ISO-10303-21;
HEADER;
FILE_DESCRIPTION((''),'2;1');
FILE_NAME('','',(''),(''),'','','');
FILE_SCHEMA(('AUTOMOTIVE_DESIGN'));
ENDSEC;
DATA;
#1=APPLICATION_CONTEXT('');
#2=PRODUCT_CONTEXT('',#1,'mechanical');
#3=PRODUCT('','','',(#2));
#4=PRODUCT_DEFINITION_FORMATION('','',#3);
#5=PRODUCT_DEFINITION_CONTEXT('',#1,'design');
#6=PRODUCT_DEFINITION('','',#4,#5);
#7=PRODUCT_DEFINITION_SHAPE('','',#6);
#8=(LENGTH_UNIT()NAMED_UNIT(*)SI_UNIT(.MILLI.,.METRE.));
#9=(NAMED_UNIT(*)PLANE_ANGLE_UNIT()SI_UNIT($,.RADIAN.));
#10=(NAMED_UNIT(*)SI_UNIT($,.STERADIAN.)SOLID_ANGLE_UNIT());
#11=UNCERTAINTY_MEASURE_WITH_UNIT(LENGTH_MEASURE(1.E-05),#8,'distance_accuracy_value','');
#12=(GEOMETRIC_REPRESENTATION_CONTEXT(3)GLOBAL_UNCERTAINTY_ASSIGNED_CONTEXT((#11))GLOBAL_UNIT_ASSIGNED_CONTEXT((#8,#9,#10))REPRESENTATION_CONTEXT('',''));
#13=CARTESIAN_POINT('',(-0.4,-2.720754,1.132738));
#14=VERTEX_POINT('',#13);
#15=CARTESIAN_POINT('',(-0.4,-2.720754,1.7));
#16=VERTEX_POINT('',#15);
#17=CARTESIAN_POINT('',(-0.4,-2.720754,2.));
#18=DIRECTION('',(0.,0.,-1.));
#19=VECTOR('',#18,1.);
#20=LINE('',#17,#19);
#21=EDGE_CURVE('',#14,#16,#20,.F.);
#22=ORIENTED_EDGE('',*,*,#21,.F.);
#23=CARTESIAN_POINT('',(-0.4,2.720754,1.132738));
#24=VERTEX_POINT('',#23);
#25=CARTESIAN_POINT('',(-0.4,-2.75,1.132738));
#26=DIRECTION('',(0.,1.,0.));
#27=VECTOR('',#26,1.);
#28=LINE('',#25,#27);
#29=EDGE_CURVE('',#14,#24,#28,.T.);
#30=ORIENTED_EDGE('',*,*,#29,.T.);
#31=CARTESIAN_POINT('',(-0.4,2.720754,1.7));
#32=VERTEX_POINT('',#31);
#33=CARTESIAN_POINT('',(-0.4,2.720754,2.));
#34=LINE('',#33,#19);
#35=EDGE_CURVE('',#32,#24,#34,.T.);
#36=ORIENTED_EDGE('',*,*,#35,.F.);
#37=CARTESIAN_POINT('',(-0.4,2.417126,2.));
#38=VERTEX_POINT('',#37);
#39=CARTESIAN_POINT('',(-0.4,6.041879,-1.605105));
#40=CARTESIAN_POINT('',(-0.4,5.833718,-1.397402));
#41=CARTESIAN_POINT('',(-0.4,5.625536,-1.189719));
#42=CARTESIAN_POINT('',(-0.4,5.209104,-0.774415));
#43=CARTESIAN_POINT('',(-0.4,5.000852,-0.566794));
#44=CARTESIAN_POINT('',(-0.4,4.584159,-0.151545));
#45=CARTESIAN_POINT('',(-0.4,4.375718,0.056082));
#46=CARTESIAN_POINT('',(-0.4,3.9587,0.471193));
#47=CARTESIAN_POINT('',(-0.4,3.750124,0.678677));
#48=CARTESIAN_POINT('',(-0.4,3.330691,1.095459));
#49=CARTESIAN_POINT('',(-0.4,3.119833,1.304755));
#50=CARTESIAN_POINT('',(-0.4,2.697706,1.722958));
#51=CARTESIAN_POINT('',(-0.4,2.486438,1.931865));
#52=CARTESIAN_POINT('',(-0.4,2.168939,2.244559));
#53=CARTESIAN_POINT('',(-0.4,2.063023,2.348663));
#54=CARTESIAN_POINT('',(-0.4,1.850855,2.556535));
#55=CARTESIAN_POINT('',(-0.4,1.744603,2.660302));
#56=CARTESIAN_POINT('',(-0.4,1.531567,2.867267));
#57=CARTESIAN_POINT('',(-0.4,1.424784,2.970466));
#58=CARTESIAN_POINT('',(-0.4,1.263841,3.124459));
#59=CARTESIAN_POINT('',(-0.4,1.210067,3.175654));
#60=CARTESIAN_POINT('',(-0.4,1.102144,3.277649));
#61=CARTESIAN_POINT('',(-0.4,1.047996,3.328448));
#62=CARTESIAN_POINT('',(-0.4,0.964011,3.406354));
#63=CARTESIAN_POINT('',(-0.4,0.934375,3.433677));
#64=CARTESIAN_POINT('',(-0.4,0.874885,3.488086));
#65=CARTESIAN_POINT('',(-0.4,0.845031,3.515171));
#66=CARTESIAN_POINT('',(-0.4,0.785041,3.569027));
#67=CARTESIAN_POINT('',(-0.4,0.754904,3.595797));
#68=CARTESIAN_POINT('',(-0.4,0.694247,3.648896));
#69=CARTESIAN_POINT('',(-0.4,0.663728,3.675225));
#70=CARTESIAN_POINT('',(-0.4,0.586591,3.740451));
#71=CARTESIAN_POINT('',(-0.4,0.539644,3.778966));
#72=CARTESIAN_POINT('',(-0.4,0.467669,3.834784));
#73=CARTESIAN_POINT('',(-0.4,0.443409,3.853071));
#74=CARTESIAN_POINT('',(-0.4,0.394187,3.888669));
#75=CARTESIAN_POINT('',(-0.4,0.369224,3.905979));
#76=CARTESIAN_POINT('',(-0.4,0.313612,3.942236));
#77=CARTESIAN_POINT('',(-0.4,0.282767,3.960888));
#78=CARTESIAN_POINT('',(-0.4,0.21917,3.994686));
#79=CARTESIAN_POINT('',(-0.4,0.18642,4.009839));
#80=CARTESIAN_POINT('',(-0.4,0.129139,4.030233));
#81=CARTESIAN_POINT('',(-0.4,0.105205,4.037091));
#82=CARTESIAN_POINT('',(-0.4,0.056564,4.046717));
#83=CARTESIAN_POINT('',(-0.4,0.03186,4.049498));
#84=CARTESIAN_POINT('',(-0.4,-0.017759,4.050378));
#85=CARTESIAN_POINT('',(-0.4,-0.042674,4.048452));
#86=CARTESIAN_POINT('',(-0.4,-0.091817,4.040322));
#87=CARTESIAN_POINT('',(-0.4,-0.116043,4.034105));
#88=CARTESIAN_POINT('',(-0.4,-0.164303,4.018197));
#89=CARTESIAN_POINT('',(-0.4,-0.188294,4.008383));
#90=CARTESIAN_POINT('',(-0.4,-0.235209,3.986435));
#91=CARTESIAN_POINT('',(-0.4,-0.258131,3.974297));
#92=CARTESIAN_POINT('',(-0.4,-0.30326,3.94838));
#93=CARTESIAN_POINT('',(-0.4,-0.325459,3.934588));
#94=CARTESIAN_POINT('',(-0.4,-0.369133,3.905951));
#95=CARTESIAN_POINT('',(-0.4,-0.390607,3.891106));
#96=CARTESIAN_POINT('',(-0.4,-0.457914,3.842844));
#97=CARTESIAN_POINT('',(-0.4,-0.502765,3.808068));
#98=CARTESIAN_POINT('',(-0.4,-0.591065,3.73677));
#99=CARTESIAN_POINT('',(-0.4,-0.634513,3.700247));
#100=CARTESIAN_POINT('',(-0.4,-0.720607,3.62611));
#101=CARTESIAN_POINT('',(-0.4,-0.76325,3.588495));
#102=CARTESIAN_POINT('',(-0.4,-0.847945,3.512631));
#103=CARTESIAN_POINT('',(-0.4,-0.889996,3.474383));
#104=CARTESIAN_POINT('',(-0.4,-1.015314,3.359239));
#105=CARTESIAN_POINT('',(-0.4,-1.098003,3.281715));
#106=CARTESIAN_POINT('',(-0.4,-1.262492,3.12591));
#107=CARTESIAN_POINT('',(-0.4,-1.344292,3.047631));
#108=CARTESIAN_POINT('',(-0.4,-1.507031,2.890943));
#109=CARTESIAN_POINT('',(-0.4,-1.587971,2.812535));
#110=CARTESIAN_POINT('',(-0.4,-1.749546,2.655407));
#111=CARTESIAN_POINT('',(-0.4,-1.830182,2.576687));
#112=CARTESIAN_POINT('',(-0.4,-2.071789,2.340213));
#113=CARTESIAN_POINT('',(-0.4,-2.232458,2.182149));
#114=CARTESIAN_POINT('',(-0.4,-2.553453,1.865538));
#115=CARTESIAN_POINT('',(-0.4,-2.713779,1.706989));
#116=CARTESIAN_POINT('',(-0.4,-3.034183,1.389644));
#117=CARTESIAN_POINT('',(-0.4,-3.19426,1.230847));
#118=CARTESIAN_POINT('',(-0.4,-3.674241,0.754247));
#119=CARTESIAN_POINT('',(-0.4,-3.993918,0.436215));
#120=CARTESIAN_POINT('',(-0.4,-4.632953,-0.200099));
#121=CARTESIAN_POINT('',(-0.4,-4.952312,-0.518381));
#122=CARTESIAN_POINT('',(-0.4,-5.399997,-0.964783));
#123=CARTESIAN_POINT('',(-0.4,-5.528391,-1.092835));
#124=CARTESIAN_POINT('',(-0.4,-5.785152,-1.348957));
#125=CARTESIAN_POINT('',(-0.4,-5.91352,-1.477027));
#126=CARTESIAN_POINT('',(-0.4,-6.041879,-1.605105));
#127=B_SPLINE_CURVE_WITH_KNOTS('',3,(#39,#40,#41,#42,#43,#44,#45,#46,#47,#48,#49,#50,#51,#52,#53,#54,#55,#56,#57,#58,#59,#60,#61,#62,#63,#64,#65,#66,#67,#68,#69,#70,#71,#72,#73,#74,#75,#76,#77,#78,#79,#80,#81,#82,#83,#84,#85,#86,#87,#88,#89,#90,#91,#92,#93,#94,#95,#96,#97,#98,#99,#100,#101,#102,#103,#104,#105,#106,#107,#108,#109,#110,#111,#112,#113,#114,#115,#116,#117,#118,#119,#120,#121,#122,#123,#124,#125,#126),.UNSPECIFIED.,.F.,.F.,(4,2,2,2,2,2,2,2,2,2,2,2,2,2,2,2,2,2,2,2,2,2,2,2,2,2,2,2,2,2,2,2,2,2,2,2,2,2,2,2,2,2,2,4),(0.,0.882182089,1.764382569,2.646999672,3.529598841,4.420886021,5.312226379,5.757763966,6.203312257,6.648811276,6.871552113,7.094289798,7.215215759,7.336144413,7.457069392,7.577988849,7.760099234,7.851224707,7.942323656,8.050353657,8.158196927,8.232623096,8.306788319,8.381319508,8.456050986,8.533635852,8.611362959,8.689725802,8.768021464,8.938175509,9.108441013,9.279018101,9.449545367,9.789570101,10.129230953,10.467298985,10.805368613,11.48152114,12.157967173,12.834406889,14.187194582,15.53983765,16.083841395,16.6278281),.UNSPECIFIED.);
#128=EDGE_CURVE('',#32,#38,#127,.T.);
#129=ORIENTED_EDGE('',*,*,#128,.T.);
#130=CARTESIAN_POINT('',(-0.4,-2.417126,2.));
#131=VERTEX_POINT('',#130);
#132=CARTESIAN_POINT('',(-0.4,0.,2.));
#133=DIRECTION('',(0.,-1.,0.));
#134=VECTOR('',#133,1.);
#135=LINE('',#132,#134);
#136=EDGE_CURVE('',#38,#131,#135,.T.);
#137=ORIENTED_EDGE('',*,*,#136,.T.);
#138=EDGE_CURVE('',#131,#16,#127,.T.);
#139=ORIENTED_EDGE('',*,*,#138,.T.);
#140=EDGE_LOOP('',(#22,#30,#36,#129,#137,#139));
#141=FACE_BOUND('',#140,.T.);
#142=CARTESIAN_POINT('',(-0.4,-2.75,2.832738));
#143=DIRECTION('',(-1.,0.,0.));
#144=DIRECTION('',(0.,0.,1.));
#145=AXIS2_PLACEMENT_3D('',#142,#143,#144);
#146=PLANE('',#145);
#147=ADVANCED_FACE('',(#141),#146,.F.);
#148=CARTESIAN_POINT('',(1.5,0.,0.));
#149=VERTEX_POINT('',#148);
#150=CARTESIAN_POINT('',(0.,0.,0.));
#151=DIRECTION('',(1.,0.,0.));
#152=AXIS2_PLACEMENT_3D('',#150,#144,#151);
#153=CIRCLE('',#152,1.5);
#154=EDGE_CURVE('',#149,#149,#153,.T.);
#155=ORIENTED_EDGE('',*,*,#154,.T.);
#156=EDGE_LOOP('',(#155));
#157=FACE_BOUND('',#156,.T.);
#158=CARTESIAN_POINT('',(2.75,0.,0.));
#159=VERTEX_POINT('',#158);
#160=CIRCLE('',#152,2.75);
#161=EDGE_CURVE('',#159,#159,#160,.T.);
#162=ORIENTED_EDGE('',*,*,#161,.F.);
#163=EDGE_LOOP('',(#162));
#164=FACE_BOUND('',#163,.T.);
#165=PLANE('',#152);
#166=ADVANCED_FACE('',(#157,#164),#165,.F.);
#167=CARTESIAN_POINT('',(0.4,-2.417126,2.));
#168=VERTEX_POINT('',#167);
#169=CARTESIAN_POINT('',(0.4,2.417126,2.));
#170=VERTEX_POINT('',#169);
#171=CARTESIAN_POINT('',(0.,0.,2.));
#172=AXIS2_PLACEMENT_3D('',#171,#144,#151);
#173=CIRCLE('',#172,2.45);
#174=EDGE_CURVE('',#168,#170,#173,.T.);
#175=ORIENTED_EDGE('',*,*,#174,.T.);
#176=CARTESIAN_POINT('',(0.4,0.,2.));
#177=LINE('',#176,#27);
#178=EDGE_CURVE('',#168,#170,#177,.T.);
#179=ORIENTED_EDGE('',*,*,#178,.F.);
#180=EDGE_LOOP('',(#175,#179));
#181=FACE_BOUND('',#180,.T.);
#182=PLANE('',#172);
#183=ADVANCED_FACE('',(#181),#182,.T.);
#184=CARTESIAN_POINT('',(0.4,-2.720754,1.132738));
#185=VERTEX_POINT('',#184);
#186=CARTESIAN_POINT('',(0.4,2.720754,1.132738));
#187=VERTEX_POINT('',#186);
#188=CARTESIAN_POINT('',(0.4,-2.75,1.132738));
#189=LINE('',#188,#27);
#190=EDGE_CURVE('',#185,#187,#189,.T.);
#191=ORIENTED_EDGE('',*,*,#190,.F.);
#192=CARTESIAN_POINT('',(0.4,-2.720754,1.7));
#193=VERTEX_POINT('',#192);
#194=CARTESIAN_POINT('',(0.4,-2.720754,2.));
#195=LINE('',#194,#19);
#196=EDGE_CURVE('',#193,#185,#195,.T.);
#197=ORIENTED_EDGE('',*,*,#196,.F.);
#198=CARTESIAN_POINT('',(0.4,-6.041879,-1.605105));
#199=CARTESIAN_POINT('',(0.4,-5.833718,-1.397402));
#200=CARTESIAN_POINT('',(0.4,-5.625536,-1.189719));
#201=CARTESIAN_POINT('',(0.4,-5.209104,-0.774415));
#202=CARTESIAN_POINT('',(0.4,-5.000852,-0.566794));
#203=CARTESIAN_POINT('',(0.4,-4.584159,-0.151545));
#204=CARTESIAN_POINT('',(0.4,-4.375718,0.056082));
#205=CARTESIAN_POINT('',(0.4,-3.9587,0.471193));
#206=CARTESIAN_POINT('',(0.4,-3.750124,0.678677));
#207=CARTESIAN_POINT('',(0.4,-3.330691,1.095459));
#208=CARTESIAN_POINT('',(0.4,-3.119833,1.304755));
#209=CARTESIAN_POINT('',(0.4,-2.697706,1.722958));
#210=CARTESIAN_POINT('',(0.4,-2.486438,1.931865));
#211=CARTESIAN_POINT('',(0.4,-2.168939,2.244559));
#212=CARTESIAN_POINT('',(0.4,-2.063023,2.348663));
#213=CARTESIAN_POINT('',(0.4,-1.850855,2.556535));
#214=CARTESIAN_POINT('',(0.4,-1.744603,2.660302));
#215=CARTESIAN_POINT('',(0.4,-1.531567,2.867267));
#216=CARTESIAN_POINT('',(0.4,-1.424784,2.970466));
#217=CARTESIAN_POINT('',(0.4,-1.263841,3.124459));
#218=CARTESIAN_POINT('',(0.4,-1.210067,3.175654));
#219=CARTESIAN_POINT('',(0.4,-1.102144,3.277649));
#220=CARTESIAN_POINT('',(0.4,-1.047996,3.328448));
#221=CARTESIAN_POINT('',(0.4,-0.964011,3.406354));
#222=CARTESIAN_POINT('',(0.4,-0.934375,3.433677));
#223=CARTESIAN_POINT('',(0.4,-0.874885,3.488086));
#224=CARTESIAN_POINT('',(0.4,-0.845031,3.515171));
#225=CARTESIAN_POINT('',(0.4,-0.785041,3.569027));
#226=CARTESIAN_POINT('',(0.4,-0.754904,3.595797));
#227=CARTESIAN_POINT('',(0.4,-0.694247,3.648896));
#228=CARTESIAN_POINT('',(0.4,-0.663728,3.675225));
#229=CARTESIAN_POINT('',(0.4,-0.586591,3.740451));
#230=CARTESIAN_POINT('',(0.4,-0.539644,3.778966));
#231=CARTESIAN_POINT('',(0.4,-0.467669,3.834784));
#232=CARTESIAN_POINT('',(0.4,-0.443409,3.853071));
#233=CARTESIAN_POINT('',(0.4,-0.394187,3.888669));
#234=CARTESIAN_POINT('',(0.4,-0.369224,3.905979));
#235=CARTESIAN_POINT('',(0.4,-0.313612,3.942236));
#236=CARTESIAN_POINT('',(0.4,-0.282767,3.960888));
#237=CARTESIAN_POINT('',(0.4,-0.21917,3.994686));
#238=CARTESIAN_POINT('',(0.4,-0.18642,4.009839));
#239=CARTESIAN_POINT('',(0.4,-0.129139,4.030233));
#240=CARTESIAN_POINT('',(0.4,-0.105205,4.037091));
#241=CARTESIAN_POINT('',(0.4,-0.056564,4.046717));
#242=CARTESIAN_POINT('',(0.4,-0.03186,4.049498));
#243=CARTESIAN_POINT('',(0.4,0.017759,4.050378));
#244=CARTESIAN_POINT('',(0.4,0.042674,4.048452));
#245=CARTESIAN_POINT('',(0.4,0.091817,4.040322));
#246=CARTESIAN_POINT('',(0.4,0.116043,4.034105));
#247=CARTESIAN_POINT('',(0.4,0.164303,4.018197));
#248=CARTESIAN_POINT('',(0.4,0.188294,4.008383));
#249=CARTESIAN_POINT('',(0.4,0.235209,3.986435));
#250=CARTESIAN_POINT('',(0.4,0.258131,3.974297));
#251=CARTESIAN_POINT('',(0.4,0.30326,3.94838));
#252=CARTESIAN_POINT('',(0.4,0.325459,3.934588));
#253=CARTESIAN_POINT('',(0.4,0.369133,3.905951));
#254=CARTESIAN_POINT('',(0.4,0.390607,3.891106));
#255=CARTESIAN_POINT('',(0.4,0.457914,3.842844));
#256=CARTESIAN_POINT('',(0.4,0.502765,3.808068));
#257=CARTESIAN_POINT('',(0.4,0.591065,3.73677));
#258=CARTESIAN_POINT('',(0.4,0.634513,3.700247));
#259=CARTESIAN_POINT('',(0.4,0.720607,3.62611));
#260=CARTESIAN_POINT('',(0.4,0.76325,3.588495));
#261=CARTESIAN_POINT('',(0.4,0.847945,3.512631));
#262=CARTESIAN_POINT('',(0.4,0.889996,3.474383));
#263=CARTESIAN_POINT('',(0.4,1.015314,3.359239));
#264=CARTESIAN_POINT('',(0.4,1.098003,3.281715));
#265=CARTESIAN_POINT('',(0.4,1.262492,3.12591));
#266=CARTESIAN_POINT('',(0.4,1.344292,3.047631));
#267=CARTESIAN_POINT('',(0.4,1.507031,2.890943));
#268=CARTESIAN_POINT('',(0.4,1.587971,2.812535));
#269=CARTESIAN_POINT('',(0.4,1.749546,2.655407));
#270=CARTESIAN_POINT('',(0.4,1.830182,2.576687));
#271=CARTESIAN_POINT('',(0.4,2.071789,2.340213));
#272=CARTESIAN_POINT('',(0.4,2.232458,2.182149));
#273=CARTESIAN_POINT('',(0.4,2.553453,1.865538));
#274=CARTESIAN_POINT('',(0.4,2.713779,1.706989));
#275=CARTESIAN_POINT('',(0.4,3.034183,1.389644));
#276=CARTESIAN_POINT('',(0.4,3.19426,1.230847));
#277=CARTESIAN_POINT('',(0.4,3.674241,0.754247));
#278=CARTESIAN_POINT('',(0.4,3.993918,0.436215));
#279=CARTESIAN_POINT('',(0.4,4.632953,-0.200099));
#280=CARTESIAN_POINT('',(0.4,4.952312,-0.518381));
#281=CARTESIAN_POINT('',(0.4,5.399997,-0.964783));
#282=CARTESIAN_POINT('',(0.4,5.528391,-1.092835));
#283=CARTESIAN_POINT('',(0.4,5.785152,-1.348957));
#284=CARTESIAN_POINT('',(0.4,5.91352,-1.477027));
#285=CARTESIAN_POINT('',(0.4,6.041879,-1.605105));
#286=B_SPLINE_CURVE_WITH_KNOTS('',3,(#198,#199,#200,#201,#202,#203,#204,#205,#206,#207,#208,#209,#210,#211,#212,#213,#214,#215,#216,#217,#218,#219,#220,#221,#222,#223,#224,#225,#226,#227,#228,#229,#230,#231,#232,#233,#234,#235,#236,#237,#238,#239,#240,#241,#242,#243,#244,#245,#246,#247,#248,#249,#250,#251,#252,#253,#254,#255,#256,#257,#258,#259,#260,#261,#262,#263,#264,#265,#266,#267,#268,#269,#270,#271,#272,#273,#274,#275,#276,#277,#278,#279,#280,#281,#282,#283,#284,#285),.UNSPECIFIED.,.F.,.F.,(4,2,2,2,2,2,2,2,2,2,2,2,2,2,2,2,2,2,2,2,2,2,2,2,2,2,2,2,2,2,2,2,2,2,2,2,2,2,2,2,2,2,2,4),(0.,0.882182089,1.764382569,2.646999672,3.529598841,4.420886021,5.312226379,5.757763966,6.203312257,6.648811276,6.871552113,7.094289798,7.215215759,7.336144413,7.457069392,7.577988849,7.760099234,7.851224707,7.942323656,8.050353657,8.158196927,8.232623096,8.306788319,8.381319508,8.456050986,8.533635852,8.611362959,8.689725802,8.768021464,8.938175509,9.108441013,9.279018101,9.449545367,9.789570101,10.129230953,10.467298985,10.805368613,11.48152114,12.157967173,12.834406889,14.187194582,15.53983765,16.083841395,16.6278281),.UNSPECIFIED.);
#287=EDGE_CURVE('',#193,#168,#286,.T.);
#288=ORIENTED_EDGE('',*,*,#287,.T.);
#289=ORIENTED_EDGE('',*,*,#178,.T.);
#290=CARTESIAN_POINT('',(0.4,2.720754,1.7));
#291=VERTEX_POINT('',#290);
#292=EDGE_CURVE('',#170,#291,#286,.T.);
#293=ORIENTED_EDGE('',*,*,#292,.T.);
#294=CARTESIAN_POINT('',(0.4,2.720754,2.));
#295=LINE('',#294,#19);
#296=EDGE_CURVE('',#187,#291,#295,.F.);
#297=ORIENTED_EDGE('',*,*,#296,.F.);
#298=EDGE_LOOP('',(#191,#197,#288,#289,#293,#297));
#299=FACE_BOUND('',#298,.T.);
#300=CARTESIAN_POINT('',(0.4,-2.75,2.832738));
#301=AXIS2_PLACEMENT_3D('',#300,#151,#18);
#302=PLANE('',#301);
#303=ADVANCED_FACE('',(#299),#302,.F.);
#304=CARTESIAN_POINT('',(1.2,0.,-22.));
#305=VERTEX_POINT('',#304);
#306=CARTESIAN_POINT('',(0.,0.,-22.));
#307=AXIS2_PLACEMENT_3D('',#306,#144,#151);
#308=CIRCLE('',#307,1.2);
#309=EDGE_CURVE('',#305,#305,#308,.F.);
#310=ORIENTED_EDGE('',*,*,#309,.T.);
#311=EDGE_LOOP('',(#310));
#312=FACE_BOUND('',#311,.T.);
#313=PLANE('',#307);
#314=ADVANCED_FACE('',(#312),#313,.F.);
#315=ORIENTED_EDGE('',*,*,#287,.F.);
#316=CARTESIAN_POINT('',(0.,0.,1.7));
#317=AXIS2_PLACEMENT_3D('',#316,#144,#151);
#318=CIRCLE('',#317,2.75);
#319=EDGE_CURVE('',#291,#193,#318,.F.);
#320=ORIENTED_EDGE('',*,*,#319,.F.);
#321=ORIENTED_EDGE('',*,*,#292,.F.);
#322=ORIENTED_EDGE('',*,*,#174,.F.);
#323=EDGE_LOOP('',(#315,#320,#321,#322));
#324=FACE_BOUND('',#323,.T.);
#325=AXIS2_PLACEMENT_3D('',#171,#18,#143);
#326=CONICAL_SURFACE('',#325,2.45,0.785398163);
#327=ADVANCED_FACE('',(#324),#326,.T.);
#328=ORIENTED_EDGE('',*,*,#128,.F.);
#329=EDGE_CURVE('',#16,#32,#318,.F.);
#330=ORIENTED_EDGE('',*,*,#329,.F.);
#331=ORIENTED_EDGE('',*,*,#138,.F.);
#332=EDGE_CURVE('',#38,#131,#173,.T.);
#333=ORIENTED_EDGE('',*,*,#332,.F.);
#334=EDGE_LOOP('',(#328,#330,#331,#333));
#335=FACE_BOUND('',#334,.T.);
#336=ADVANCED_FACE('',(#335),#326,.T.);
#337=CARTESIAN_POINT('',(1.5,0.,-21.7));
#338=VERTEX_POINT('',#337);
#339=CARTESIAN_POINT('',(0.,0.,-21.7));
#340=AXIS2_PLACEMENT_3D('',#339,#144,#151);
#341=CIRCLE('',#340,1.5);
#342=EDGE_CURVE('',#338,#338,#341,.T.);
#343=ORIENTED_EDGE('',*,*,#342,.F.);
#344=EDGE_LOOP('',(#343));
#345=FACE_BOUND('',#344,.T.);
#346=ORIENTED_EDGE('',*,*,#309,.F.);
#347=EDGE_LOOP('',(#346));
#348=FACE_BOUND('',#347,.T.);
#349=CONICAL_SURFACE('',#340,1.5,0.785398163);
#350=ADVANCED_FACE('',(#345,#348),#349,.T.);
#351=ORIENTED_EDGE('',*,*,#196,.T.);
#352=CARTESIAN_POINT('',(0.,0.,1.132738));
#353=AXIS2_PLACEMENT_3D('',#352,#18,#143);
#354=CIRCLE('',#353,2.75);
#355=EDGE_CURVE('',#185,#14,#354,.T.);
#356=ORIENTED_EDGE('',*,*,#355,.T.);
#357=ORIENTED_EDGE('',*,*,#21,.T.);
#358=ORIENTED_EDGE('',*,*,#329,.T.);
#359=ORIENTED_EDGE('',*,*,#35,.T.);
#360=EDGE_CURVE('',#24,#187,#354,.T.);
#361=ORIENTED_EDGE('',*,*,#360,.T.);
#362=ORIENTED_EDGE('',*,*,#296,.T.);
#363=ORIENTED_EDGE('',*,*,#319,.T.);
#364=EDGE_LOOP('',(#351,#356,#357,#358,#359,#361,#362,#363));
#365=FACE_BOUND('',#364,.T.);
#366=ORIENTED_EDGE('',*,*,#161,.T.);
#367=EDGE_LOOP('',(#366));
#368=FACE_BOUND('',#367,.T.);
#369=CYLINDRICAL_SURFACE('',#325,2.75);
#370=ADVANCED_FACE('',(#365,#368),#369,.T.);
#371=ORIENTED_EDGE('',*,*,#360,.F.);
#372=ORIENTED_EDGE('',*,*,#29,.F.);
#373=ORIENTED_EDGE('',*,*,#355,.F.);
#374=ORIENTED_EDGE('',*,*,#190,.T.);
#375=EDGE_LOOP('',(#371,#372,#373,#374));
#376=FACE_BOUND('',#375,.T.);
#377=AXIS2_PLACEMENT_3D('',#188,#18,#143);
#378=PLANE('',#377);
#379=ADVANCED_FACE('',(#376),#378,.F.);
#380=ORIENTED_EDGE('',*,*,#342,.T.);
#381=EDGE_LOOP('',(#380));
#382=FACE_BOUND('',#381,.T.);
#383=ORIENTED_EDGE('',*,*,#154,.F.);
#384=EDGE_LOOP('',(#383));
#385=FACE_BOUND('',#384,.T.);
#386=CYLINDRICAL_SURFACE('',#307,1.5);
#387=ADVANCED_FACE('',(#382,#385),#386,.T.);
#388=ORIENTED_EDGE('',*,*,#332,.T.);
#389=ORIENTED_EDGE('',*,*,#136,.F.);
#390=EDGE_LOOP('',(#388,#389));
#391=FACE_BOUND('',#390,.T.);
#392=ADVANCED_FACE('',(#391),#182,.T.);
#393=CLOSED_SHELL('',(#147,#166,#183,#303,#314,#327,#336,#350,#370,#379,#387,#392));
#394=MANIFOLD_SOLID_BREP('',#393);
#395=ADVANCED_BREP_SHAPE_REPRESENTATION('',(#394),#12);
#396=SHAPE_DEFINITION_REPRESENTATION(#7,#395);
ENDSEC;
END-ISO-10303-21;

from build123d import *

# Parameters (mm, degrees)
SKETCH1_R               = 1.5
BOSS_EXTRUDE1_DEPTH     = 22
SKETCH2_R               = 2.75
BOSS_EXTRUDE2_DEPTH     = 2
CHAMFER1_SIZE           = 0.3
CUT_EXTRUDE1_DEPTH      = 23.341105613
CUT_EXTRUDE1_DEPTH_BACK = 23.341105613
SKETCH3_W               = 0.8
SKETCH3_H               = 1.7


with BuildPart() as part:
    # Sketch1 → Boss-Extrude1 (new body)
    with BuildSketch(Plane.XY):
        Circle(SKETCH1_R)
    extrude(amount=-BOSS_EXTRUDE1_DEPTH)

    # Sketch2 → Boss-Extrude2 (add)
    with BuildSketch(Plane.XY):
        Circle(SKETCH2_R)
    extrude(amount=BOSS_EXTRUDE2_DEPTH)

    # Chamfer1
    chamfer1_edges = [part.edges().sort_by_distance(p)[0] for p in [
        (-1.5, 0, -22),
        (-2.75, 0, 2),
    ]]
    chamfer(chamfer1_edges, length=CHAMFER1_SIZE)

    # Sketch3 → Cut-Extrude1 (cut, two sides: drawn at the far end of the back side and taken through both)
    with BuildSketch(Plane(origin=(0, 0, 0), x_dir=(1, 0, 0), z_dir=(0, 1, 0)).offset(-CUT_EXTRUDE1_DEPTH_BACK)):
        with Locations((0, -1.982738086)):
            Rectangle(SKETCH3_W, SKETCH3_H)
    extrude(amount=CUT_EXTRUDE1_DEPTH + CUT_EXTRUDE1_DEPTH_BACK, mode=Mode.SUBTRACT)


solid = part.part
